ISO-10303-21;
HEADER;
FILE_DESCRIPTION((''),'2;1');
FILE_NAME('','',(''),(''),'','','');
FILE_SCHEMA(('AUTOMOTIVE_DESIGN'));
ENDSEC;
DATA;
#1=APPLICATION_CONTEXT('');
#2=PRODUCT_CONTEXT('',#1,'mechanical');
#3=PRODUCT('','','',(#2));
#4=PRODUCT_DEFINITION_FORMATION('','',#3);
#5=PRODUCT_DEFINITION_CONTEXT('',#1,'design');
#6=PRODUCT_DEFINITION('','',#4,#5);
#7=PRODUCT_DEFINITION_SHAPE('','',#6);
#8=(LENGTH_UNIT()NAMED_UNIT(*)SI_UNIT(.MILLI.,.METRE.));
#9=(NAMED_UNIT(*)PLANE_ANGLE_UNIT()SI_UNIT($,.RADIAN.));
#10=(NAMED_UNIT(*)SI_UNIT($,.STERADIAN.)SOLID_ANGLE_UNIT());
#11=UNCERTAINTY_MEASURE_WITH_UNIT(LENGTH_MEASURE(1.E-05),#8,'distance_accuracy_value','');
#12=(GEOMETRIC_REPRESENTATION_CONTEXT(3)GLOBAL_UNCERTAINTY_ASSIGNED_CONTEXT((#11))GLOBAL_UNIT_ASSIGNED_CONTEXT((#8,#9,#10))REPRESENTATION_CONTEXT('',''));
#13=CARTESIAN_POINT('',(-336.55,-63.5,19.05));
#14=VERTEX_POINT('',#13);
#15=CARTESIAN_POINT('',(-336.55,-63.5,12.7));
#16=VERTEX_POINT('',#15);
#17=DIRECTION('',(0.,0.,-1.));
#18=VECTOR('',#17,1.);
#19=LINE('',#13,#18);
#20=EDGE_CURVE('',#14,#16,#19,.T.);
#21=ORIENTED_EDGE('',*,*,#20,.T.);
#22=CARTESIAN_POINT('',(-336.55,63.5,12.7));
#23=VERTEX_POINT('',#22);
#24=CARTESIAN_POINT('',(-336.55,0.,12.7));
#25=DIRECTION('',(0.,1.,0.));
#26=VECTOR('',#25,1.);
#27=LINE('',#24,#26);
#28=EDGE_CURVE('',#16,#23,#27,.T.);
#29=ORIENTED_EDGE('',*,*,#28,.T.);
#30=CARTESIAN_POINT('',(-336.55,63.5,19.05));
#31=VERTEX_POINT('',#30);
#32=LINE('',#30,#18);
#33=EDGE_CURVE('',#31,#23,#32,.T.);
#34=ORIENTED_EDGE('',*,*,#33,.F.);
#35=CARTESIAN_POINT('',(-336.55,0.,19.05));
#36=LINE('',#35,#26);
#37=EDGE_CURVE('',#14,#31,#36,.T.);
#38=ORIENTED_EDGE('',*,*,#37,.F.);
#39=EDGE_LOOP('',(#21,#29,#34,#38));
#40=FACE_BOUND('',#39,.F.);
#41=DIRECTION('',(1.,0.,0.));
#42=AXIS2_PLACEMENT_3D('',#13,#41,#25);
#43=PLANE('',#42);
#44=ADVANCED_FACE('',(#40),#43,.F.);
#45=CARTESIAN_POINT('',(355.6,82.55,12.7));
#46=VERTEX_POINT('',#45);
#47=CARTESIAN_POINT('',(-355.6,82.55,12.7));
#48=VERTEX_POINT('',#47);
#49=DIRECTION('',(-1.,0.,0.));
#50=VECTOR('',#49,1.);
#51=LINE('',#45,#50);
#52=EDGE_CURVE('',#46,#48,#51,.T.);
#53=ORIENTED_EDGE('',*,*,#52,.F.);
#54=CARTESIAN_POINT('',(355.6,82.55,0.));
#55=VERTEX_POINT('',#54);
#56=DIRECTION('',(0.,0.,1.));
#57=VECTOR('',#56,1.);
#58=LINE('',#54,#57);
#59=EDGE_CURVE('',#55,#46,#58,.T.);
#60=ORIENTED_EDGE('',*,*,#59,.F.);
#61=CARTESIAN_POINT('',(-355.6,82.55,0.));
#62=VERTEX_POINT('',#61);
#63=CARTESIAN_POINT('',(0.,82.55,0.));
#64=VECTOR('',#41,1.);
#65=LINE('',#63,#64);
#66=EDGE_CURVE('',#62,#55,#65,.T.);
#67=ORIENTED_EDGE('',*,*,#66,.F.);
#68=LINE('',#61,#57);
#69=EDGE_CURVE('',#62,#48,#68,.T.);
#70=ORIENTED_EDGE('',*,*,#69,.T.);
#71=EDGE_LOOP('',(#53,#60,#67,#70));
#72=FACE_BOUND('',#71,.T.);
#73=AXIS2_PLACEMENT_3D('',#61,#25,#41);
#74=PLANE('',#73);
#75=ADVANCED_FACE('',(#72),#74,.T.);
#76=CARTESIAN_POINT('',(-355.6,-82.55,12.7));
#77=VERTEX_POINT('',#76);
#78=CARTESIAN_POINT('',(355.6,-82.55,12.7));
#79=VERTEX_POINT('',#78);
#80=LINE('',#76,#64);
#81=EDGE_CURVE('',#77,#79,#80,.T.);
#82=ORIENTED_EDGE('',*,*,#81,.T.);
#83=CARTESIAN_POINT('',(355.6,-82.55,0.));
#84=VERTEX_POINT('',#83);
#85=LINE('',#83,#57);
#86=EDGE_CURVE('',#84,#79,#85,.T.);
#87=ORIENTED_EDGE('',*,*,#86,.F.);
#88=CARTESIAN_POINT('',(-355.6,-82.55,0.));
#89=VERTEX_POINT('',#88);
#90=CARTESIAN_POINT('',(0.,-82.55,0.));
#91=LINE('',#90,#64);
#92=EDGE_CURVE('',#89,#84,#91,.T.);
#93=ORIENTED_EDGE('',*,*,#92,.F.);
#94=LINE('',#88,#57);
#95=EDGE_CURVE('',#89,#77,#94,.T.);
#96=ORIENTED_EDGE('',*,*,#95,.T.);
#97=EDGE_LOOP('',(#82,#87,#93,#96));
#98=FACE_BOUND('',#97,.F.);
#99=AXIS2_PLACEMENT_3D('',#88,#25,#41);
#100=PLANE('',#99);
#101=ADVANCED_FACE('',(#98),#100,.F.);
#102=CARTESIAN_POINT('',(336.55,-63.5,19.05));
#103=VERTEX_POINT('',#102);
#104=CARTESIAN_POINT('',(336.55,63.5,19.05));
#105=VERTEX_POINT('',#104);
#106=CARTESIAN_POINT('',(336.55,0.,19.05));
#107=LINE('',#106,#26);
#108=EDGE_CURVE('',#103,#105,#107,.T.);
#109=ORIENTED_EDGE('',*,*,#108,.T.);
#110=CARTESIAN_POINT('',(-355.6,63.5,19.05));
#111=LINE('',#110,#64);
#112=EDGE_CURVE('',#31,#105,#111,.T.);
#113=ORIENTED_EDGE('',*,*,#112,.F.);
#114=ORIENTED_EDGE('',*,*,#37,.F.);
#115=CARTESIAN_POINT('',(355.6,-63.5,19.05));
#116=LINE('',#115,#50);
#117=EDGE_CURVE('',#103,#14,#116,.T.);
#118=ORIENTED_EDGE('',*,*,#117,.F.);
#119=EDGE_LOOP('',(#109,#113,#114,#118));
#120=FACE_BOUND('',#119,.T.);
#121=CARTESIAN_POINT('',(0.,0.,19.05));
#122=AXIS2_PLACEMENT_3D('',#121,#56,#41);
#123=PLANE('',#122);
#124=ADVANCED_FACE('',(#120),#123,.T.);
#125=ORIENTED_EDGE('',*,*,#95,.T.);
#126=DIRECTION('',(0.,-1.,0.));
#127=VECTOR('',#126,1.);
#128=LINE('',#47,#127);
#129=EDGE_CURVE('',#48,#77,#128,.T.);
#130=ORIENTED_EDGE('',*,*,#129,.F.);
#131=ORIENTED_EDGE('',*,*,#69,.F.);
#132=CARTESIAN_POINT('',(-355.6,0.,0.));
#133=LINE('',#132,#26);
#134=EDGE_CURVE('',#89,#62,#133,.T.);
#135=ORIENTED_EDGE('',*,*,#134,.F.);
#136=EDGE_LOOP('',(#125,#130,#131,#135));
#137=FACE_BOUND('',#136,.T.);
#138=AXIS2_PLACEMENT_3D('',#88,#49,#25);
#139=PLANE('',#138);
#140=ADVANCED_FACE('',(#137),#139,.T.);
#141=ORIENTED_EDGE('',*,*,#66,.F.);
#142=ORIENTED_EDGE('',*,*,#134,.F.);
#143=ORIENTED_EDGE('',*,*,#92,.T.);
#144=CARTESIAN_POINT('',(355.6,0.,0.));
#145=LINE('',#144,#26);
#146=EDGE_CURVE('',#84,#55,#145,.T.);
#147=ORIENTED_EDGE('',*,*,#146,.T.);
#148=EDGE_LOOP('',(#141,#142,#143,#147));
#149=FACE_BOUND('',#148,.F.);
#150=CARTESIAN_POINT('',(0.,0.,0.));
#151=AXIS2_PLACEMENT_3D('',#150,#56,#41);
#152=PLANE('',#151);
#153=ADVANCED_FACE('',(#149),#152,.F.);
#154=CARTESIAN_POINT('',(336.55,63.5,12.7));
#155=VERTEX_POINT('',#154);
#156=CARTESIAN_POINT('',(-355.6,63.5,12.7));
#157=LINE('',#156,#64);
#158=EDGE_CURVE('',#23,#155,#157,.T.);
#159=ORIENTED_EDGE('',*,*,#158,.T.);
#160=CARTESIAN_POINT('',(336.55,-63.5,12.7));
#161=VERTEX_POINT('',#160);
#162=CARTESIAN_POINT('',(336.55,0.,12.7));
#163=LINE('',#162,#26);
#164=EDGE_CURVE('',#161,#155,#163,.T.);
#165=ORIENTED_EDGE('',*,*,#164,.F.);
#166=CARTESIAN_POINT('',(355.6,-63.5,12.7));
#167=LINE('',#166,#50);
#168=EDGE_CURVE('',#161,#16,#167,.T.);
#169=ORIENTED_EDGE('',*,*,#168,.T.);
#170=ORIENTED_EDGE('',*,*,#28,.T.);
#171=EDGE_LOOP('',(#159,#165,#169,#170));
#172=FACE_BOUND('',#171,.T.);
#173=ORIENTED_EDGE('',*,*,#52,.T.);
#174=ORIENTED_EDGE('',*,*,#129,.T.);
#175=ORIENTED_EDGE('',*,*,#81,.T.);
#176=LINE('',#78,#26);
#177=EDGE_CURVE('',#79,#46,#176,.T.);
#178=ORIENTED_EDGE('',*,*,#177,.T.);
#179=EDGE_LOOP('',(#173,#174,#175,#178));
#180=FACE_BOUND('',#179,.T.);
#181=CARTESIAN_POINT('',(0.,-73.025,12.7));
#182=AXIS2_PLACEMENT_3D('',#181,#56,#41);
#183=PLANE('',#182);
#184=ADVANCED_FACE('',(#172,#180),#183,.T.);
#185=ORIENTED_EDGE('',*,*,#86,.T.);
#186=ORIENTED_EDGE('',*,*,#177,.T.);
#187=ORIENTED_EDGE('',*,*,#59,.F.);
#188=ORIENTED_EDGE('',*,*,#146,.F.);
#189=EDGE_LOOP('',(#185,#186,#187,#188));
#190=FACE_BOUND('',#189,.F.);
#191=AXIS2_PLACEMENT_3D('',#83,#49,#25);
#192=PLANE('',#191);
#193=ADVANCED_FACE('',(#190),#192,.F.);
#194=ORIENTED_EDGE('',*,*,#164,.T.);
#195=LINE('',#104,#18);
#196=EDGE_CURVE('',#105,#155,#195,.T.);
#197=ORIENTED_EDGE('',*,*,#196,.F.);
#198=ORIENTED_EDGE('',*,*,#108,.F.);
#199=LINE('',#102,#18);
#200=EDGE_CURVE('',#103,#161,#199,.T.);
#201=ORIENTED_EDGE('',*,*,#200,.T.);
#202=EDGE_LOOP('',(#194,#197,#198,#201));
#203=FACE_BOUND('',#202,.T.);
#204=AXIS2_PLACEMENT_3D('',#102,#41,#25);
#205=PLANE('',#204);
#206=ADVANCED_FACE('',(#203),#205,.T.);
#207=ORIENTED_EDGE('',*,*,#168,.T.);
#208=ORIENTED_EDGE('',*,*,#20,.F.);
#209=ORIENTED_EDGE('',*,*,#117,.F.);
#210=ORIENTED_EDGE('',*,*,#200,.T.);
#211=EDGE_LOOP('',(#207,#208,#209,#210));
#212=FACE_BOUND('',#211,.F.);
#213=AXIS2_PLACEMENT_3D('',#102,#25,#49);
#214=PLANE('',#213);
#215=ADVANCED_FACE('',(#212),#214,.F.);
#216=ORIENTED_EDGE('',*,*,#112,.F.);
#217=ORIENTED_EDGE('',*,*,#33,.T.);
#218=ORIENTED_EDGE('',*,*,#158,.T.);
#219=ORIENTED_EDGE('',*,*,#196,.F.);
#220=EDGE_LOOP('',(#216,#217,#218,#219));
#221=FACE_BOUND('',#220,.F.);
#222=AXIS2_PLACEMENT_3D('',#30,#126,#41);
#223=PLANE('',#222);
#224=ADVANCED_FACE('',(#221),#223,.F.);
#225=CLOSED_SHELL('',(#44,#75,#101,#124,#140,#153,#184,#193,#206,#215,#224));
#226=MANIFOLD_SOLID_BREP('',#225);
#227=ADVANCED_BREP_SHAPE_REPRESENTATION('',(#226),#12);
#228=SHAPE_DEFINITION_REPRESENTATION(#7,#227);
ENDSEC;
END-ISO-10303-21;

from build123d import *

# Parameters (mm, degrees)
F0_W     = 711.2
F0_H     = 165.1
F1_DEPTH = 19.05
F2_W     = 673.1
F2_H     = 19.05
F2_W_2   = 19.05
F2_H_2   = 127
F3_DEPTH = 6.35


with BuildPart() as f1:
    # F0 (on Top) → F1 (new body)
    with BuildSketch(Plane.XY):
        Rectangle(F0_W, F0_H)
    extrude(amount=F1_DEPTH)

    # F2 (on face) → F3 (cut)
    with BuildSketch(Plane.XY.offset(19.05)):
        with Locations((0, -73.025)):
            Rectangle(F2_W, F2_H)
        with Locations((-346.075, -73.025)):
            Rectangle(F2_W_2, F2_H)
        with Locations((-346.075, 73.025)):
            Rectangle(F2_W_2, F2_H)
        with Locations((346.075, -73.025)):
            Rectangle(F2_W_2, F2_H)
        with Locations((346.075, 73.025)):
            Rectangle(F2_W_2, F2_H)
        with Locations((0, 73.025)):
            Rectangle(F2_W, F2_H)
        with Locations((-346.075, 0)):
            Rectangle(F2_W_2, F2_H_2)
        with Locations((346.075, 0)):
            Rectangle(F2_W_2, F2_H_2)
    extrude(amount=-F3_DEPTH, mode=Mode.SUBTRACT)


solid = f1.part
